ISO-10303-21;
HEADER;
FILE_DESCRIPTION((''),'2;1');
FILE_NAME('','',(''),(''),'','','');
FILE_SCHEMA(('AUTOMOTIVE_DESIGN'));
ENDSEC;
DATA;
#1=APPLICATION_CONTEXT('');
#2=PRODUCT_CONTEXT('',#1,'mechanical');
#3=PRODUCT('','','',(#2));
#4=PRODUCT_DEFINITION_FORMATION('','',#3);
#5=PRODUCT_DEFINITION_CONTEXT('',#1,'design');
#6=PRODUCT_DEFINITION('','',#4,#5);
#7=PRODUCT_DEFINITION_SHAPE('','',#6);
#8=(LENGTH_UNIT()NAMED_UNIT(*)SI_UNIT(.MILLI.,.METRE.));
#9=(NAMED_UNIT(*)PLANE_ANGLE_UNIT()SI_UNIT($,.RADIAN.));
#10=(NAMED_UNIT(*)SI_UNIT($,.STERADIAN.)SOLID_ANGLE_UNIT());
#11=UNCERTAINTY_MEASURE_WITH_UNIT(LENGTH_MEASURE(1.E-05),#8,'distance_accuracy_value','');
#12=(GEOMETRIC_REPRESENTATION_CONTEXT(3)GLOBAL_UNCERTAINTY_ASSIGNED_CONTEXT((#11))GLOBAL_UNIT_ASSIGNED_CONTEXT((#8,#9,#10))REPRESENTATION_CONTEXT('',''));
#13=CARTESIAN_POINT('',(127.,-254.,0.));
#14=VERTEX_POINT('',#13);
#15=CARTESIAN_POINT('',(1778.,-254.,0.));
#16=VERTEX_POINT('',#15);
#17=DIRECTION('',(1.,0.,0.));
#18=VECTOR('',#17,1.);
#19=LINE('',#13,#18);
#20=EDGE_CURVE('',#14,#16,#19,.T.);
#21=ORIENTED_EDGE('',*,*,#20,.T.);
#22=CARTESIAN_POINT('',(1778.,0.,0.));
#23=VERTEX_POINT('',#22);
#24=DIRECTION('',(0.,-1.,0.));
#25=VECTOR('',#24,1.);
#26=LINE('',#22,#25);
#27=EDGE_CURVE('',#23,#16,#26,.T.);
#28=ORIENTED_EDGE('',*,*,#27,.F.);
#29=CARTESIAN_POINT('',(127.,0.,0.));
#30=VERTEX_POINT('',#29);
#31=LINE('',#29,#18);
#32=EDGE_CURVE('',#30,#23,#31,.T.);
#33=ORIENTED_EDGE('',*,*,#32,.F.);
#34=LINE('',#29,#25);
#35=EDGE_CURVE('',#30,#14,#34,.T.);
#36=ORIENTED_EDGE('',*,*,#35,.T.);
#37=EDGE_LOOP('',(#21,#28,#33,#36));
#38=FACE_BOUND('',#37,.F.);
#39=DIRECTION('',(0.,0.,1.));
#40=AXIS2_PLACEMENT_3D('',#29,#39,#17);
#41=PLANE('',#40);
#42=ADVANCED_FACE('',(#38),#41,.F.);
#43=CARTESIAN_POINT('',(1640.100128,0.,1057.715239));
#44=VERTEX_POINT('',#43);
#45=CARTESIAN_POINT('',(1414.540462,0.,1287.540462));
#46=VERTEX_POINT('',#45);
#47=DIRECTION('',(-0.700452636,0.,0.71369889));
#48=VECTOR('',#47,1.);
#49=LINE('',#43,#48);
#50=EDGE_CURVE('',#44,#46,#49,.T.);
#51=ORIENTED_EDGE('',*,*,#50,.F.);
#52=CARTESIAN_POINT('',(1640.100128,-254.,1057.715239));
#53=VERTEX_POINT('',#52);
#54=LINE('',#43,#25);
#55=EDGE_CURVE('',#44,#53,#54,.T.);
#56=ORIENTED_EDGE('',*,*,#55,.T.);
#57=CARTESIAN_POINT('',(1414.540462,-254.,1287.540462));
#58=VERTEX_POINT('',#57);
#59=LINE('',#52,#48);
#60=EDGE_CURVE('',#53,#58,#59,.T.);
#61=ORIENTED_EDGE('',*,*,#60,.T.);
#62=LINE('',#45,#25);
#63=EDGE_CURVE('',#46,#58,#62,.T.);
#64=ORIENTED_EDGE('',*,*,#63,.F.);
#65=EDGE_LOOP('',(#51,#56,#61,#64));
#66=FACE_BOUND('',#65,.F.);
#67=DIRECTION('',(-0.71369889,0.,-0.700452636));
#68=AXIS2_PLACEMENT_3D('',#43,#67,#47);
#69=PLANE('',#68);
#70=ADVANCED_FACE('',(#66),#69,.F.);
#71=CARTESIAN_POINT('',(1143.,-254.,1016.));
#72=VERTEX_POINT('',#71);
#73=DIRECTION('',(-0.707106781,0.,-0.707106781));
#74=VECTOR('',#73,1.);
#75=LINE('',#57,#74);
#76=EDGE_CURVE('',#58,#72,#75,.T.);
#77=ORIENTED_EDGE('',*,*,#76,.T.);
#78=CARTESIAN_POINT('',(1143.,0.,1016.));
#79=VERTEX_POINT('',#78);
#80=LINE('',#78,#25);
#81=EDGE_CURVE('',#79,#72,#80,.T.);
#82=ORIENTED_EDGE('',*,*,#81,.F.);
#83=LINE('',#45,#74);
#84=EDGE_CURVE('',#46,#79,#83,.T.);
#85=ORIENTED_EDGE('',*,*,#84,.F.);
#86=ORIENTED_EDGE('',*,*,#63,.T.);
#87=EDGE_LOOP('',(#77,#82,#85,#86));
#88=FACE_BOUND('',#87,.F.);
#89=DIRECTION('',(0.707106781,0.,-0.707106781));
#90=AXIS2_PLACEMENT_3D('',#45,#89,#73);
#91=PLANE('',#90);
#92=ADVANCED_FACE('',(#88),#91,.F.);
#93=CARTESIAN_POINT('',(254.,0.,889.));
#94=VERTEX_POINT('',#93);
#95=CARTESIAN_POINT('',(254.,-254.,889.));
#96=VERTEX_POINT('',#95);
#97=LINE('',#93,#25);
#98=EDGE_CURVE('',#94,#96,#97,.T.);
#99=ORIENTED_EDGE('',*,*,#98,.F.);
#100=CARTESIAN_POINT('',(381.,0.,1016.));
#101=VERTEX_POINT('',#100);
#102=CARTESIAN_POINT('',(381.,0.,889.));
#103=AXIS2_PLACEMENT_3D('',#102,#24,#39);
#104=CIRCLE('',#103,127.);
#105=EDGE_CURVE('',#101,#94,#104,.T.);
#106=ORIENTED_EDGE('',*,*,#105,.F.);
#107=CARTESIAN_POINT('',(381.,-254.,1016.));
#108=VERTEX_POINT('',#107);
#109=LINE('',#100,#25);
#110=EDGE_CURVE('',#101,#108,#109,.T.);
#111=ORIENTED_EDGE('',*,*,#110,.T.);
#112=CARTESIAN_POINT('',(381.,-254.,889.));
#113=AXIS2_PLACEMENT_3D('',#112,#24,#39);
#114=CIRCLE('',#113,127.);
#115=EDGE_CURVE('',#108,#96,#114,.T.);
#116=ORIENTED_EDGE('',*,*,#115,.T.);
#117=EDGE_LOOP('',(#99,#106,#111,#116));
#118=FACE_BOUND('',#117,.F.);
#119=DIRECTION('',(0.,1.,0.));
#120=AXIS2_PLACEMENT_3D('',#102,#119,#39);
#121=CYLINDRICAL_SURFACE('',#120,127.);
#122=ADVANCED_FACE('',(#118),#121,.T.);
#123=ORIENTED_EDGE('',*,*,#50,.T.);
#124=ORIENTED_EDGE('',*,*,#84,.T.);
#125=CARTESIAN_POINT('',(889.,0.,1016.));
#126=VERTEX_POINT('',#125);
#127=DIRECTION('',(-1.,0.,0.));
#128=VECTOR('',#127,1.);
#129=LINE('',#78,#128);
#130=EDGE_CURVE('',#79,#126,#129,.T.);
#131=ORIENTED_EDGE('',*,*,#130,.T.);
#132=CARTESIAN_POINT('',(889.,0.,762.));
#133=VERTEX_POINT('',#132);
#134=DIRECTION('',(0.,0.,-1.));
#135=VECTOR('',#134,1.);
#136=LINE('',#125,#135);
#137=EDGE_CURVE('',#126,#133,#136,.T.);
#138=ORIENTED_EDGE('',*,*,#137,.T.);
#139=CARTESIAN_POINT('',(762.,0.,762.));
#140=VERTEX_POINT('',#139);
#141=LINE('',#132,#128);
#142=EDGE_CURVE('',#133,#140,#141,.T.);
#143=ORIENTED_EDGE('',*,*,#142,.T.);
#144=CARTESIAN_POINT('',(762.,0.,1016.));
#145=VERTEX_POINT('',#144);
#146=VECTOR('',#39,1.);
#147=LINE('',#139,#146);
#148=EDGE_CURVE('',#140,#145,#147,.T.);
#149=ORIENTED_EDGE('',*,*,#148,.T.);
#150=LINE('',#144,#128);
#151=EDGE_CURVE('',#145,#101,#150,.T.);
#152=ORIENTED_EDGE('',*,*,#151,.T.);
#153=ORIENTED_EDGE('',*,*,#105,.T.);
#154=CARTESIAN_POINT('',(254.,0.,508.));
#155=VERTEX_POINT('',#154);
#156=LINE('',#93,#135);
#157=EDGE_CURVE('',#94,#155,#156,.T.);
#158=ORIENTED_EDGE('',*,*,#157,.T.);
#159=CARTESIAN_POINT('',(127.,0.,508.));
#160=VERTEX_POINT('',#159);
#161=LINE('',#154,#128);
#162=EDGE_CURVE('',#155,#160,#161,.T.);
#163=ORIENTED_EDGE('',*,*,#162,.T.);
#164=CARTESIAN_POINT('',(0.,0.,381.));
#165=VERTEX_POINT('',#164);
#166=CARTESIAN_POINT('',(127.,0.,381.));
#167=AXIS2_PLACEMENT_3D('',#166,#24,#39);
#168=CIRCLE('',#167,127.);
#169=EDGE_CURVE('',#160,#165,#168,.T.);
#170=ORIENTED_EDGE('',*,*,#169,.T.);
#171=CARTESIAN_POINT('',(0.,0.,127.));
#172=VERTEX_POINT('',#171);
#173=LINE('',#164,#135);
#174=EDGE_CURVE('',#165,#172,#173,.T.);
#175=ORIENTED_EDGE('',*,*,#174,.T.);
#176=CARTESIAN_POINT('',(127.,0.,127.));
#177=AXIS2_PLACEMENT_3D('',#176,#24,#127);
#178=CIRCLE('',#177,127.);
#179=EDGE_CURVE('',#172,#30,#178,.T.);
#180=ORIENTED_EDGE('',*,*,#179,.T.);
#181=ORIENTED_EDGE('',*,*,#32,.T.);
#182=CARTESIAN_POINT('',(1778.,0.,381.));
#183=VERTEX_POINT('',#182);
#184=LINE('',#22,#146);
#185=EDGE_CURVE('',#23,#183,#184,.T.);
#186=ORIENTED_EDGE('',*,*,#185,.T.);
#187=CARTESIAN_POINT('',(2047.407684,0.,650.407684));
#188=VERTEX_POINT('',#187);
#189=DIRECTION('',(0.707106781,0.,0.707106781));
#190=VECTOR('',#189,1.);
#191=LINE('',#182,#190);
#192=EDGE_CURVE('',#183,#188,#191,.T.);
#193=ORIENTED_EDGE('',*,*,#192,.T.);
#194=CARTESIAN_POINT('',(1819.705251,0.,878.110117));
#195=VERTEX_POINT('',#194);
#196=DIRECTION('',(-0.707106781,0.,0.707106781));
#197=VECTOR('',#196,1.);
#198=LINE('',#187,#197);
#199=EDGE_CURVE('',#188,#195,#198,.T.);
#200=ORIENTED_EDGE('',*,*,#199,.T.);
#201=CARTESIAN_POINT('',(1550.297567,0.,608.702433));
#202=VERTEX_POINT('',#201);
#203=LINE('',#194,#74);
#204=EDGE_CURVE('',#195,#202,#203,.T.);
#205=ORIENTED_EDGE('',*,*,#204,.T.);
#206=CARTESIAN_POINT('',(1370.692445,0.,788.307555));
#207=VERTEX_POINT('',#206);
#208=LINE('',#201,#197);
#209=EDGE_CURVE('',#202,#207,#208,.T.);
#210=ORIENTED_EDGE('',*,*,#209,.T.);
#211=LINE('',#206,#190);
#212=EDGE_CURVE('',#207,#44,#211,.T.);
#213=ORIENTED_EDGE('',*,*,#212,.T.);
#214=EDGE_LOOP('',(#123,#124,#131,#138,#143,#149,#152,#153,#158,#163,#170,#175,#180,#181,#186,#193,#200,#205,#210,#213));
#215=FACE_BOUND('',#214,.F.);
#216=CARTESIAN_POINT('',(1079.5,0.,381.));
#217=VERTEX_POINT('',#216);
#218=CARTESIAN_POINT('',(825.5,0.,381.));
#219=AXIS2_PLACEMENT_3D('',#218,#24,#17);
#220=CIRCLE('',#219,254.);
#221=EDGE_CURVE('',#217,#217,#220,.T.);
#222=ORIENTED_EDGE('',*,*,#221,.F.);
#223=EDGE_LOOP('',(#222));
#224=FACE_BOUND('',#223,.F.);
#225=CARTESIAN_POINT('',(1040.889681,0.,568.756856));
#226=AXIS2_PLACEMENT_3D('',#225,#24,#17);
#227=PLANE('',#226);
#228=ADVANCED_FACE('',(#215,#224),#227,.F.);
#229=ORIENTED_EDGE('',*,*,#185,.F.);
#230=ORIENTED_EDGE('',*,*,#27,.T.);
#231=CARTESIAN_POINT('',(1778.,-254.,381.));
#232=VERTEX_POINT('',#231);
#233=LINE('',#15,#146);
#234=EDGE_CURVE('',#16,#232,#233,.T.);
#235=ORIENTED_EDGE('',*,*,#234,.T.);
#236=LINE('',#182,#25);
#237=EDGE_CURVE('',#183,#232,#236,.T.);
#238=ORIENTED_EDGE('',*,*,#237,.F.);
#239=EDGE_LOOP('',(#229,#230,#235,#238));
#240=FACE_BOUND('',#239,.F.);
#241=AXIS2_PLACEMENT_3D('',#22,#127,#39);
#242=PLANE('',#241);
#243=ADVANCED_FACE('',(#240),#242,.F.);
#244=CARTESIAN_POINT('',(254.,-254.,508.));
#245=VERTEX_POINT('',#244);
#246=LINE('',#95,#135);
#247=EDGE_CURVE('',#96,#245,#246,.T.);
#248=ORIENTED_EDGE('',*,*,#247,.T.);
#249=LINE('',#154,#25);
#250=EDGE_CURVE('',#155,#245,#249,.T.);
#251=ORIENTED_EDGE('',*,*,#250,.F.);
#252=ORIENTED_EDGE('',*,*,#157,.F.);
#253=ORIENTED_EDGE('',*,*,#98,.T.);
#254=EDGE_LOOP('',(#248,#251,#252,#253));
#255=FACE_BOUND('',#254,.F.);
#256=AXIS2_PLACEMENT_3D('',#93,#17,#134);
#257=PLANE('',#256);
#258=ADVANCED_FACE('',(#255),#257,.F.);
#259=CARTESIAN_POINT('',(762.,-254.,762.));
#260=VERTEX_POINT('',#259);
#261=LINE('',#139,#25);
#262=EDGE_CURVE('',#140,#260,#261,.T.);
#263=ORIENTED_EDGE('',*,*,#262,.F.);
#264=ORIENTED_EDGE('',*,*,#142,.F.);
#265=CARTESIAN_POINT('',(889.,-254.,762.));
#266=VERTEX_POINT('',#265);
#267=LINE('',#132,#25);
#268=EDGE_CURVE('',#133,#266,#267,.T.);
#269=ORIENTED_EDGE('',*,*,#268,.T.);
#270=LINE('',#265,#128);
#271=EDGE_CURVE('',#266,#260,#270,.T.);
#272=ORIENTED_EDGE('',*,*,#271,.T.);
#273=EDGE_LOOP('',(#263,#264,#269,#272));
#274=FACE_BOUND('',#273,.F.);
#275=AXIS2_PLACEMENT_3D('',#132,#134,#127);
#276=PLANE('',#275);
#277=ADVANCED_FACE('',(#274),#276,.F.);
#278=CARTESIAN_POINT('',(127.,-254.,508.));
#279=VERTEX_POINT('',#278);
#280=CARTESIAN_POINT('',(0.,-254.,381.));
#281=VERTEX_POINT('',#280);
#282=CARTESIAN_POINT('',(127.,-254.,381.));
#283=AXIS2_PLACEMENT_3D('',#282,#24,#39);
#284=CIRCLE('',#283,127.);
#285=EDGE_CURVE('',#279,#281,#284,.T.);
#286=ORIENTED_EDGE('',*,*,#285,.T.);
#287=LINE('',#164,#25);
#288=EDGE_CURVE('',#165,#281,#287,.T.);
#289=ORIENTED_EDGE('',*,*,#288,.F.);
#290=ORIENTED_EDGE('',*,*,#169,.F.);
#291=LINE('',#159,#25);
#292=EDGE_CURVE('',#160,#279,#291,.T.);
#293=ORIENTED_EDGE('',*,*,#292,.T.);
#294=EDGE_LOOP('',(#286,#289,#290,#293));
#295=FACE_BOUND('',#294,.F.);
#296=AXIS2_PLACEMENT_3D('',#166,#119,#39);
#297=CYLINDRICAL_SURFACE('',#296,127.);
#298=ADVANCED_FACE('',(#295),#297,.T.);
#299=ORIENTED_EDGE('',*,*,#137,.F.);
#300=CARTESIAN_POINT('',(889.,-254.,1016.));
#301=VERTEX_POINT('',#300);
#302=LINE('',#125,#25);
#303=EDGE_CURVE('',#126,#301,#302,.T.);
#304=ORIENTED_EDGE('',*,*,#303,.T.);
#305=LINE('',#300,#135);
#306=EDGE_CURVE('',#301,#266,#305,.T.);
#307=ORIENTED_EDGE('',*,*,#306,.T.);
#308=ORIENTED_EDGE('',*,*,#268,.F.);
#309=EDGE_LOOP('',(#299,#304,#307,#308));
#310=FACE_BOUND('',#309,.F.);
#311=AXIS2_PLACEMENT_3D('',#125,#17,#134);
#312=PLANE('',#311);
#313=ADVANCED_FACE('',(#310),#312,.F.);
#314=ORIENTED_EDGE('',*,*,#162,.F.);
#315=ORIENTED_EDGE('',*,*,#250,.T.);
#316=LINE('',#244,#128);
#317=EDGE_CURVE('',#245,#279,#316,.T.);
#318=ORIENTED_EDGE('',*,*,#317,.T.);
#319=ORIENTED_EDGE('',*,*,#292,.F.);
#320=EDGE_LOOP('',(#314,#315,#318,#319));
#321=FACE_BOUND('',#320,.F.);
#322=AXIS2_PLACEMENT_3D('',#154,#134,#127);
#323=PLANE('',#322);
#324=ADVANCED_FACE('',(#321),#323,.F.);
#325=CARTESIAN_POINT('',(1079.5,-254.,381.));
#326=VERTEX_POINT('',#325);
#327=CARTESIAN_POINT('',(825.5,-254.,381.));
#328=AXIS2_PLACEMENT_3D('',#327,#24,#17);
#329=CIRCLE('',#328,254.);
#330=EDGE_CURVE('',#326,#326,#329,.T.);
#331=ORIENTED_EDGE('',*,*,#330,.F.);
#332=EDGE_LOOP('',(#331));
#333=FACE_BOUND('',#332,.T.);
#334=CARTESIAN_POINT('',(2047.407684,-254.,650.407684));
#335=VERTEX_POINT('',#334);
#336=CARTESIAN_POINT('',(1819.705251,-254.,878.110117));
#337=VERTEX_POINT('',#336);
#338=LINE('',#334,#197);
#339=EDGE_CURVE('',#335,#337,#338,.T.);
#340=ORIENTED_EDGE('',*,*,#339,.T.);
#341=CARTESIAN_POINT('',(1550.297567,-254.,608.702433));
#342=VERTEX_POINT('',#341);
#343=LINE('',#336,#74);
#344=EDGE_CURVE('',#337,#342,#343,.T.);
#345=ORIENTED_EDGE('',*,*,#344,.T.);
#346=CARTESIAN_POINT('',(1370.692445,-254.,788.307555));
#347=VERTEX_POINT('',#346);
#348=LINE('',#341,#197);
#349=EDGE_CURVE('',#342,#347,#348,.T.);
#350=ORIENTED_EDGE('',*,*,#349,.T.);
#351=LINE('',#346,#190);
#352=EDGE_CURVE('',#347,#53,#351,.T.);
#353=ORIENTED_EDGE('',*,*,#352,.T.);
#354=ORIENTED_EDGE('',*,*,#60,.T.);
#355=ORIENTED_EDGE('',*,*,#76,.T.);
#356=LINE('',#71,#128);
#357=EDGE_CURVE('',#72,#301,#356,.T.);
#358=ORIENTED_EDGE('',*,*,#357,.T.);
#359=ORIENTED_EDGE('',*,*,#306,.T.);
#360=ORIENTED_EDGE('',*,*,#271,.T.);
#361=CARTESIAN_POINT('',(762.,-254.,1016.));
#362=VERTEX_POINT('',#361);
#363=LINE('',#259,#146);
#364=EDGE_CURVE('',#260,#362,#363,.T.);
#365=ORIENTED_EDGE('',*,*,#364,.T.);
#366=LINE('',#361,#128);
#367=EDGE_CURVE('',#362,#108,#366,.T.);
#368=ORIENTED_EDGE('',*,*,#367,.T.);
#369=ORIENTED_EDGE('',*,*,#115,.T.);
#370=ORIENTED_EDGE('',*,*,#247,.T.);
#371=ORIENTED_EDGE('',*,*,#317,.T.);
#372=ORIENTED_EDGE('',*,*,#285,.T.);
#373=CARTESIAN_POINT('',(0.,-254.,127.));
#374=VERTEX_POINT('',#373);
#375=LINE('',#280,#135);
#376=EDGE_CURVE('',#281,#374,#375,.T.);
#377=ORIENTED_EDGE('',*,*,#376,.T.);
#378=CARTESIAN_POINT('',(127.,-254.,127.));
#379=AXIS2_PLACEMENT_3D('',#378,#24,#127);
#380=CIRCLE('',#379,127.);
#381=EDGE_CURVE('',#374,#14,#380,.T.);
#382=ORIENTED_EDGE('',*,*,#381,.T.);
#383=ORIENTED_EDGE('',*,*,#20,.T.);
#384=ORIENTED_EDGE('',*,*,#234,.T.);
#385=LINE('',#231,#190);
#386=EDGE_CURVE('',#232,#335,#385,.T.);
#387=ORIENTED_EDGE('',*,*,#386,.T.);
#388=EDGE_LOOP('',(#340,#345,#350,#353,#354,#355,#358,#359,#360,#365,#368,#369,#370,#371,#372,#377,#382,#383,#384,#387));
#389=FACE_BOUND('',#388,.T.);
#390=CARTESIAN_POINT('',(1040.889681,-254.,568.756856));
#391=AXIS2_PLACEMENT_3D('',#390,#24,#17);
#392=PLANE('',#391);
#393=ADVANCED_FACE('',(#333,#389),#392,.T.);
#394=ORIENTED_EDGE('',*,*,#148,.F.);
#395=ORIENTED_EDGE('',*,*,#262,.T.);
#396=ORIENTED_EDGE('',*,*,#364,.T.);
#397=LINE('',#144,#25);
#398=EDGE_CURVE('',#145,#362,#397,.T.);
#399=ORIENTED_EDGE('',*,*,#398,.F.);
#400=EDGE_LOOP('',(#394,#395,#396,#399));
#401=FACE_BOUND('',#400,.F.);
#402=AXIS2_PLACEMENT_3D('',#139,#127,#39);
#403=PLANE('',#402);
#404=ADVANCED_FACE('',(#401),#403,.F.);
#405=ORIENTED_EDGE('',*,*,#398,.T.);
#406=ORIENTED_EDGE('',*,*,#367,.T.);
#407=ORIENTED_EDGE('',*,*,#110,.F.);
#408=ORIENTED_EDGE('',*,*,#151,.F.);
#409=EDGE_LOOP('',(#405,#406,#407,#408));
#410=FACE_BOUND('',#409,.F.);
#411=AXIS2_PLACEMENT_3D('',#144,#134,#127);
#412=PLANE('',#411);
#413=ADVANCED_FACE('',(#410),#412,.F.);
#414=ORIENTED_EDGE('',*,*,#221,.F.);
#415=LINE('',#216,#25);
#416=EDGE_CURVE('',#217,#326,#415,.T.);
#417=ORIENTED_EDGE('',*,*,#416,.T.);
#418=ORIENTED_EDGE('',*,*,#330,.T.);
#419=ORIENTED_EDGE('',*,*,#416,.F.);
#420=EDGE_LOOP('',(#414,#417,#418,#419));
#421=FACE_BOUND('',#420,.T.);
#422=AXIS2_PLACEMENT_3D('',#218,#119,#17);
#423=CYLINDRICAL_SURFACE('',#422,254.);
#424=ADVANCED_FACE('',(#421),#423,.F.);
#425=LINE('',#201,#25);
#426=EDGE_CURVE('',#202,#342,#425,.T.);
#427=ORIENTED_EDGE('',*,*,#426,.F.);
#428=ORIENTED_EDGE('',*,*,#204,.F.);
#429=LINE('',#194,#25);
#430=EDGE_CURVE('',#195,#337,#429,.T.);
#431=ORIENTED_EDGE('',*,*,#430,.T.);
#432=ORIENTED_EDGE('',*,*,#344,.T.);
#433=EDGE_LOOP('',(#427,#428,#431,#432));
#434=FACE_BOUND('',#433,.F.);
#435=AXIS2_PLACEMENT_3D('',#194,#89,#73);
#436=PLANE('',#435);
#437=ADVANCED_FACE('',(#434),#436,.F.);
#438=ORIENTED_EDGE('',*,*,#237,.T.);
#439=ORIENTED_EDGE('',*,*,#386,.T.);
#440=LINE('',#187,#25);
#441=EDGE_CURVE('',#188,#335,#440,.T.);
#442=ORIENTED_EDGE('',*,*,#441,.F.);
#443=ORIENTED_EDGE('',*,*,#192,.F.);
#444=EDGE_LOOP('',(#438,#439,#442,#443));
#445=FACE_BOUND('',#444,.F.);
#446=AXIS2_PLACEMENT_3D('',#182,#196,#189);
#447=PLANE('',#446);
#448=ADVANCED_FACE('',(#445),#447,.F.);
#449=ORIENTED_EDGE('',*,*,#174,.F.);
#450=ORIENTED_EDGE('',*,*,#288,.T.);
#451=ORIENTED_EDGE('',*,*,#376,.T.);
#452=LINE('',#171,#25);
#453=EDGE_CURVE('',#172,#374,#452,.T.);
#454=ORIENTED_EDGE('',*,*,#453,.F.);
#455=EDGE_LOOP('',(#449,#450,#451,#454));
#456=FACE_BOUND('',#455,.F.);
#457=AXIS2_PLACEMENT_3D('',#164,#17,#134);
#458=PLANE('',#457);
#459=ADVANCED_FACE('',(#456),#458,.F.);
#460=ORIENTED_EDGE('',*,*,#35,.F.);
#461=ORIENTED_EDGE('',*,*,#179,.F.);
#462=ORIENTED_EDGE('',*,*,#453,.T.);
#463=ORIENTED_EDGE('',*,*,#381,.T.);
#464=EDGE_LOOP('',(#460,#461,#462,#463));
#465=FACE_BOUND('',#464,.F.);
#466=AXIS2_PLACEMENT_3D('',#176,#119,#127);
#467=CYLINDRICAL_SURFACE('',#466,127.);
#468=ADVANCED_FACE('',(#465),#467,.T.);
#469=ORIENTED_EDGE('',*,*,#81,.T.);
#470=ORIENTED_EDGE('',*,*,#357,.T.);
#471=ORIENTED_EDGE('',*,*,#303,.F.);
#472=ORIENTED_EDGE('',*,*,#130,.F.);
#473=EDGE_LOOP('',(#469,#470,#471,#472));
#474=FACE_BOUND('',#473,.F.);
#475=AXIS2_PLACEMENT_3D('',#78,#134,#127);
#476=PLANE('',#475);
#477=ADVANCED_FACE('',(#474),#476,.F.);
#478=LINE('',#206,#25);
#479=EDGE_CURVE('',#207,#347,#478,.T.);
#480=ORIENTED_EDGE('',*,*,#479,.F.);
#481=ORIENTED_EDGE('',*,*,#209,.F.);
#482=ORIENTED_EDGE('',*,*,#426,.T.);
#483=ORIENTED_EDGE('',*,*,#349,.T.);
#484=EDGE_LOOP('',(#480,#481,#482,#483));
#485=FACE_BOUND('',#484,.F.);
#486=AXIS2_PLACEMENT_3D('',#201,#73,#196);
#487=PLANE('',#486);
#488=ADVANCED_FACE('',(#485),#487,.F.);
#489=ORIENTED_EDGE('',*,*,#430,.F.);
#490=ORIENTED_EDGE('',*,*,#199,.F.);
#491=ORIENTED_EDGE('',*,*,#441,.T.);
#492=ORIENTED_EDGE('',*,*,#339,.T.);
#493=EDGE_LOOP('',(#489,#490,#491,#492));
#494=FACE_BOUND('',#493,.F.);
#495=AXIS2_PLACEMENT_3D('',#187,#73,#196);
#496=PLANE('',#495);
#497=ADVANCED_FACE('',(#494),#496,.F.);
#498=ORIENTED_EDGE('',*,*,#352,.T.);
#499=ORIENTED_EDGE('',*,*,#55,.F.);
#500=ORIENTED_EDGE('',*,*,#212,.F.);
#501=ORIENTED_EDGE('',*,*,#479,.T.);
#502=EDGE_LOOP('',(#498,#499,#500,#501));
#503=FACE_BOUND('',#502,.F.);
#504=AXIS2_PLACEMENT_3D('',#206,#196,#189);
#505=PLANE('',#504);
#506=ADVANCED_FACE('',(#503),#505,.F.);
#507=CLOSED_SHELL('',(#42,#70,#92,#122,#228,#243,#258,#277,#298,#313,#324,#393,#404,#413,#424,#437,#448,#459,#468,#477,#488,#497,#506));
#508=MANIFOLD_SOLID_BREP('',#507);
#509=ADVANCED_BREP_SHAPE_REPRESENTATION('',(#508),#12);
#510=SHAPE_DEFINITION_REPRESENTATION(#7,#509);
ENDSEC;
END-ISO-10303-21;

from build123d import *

# Parameters (mm, degrees)
F0_R     = 254
F1_DEPTH = 254


with BuildPart() as f1:
    # F0 (on Front) → F1 (new body)
    with BuildSketch(Plane.XZ):
        with BuildLine():
            ThreePointArc((0, 127), (37.1974387893, 37.1974387893), (127, 0))
            Line((127, 0), (1778, 0))
            Line((1778, 0), (1778, 381))
            Line((1778, 381), (2047.4076836321, 650.4076836321))
            Line((2047.4076836321, 650.4076836321), (1819.7052505575, 878.1101167066))
            Line((1819.7052505575, 878.1101167066), (1550.2975669255, 608.7024330745))
            Line((1550.2975669255, 608.7024330745), (1370.6924445041, 788.3075554959))
            Line((1370.6924445041, 788.3075554959), (1640.1001281361, 1057.715239128))
            Line((1640.1001281361, 1057.715239128), (1414.5404620613, 1287.5404620613))
            Line((1414.5404620613, 1287.5404620613), (1143, 1016))
            Line((1143, 1016), (889, 1016))
            Line((889, 1016), (889, 762))
            Line((889, 762), (762, 762))
            Line((762, 762), (762, 1016))
            Line((762, 1016), (381, 1016))
            ThreePointArc((381, 1016), (291.1974387893, 978.8025612107), (254, 889))
            Line((254, 889), (254, 508))
            Line((254, 508), (127, 508))
            ThreePointArc((127, 508), (37.1974387893, 470.8025612107), (0, 381))
            Line((0, 381), (0, 127))
        make_face()
        with Locations((825.5, 381)):
            Circle(F0_R, mode=Mode.SUBTRACT)
    extrude(amount=F1_DEPTH)


solid = f1.part
